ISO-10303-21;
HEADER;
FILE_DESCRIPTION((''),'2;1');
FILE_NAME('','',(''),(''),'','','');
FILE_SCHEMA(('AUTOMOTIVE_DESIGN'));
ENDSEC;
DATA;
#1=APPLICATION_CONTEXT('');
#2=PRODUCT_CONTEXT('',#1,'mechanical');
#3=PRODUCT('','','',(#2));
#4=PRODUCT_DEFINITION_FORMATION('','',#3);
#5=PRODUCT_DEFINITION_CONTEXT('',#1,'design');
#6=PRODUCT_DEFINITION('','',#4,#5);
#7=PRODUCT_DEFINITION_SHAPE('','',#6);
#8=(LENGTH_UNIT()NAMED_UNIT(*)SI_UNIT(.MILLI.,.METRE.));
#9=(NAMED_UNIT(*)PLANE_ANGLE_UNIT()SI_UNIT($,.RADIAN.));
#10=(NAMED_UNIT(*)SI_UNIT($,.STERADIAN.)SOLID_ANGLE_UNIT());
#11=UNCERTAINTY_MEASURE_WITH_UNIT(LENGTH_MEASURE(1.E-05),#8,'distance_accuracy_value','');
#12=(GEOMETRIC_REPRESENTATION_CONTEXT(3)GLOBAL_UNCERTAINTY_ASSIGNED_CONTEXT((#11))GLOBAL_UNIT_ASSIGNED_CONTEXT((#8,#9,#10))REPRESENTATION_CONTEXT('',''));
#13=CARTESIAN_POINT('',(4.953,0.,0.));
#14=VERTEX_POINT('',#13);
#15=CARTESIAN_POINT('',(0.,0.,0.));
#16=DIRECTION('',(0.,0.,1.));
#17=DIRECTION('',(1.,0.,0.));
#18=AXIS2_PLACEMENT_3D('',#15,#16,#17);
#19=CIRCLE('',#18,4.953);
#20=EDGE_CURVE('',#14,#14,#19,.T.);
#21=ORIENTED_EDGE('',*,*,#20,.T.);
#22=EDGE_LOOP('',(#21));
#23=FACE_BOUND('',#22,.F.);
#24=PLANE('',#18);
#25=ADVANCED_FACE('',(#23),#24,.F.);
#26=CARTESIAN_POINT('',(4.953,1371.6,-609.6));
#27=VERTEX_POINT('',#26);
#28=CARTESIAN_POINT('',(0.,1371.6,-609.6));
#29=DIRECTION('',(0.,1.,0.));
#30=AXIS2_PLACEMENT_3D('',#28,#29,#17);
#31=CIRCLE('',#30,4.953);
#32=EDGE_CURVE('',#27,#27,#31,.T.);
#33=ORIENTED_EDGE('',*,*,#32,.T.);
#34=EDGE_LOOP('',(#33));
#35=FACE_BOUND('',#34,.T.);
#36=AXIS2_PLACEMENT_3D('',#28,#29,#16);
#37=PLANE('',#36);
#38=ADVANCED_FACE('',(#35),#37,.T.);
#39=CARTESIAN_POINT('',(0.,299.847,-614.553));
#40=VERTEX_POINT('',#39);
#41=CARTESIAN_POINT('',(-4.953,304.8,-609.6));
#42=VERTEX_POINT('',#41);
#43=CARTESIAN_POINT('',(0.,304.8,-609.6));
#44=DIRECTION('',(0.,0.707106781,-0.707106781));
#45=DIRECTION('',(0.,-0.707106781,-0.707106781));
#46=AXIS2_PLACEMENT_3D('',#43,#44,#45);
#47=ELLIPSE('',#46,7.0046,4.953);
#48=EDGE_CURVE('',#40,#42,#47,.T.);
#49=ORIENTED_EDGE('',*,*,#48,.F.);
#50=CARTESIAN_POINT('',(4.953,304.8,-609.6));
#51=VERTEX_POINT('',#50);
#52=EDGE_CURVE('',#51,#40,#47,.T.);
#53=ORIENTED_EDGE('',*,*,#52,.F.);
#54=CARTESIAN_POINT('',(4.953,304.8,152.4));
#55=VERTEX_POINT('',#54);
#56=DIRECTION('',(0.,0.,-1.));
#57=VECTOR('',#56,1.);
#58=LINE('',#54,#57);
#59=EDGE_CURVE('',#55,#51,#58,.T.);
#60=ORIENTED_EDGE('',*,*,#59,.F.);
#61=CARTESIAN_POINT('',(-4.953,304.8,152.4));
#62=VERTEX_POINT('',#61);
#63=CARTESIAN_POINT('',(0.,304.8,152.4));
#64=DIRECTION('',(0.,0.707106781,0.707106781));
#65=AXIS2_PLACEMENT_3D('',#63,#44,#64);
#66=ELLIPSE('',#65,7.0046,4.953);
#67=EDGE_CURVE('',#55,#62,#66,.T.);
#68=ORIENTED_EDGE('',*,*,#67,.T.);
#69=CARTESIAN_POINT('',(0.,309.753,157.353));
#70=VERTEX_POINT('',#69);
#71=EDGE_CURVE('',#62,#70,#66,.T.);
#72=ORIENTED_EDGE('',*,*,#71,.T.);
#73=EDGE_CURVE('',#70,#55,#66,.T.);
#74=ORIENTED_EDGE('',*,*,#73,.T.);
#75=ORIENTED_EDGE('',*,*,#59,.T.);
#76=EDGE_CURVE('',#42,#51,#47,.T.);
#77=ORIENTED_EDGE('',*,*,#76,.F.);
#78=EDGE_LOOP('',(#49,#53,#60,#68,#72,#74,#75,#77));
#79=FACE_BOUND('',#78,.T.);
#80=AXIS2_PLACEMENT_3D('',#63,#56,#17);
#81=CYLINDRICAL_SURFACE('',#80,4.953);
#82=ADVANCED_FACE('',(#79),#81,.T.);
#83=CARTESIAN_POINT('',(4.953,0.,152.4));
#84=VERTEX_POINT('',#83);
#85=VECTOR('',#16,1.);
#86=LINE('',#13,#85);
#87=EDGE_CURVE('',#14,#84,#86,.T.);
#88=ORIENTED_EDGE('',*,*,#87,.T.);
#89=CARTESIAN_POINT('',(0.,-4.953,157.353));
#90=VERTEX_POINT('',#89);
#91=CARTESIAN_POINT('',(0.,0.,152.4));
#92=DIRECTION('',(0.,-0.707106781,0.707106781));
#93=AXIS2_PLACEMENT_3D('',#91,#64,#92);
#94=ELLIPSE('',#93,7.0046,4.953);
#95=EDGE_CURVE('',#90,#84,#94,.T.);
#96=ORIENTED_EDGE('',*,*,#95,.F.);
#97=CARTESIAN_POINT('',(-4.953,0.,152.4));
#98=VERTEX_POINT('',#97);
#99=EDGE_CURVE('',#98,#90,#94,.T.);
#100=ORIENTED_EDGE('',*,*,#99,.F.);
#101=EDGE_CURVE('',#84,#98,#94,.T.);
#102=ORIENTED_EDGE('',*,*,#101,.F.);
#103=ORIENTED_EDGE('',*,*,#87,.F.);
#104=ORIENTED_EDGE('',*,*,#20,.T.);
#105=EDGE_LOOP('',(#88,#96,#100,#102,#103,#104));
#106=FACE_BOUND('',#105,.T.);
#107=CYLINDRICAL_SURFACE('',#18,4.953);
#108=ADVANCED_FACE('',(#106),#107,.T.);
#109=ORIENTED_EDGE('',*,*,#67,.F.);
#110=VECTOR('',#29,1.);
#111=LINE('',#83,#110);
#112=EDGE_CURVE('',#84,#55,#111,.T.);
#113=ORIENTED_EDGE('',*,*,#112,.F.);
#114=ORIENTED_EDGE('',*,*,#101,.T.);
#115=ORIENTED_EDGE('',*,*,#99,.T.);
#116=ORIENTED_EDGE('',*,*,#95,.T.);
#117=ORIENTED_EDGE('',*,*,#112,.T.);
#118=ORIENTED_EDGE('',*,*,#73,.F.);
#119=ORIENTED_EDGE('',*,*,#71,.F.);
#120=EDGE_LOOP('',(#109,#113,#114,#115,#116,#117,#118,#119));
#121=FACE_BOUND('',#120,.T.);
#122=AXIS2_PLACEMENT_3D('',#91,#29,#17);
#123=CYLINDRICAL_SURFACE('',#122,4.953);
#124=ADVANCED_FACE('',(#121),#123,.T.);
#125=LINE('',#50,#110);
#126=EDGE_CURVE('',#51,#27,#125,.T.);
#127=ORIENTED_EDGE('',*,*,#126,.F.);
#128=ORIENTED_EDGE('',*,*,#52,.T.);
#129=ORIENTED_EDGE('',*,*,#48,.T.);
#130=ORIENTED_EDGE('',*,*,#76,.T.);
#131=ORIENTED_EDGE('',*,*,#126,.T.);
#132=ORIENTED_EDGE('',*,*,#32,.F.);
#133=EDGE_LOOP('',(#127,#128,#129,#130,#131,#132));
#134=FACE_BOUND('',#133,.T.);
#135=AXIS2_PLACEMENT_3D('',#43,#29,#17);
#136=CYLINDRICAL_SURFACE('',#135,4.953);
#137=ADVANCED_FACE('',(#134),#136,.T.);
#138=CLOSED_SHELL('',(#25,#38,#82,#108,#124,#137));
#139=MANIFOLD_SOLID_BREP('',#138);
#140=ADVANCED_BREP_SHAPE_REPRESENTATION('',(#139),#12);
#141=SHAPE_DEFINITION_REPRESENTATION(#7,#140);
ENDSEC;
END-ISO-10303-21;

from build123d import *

# Parameters (mm, degrees)
F0_R = 4.953


with BuildPart() as f2:
    # F2: sweep along a path in F1
    with BuildLine(Plane.YZ) as f2_path:
        Line((0, 0), (0, 152.4))
        Line((0, 152.4), (304.8, 152.4))
        Line((304.8, 152.4), (304.8, -609.6))
        Line((304.8, -609.6), (1371.6, -609.6))
    # F0 (on Top) → F2 (sweep)
    with BuildSketch(Plane.XY):
        Circle(F0_R)
    sweep(path=f2_path.line, transition=Transition.RIGHT)


solid = f2.part
